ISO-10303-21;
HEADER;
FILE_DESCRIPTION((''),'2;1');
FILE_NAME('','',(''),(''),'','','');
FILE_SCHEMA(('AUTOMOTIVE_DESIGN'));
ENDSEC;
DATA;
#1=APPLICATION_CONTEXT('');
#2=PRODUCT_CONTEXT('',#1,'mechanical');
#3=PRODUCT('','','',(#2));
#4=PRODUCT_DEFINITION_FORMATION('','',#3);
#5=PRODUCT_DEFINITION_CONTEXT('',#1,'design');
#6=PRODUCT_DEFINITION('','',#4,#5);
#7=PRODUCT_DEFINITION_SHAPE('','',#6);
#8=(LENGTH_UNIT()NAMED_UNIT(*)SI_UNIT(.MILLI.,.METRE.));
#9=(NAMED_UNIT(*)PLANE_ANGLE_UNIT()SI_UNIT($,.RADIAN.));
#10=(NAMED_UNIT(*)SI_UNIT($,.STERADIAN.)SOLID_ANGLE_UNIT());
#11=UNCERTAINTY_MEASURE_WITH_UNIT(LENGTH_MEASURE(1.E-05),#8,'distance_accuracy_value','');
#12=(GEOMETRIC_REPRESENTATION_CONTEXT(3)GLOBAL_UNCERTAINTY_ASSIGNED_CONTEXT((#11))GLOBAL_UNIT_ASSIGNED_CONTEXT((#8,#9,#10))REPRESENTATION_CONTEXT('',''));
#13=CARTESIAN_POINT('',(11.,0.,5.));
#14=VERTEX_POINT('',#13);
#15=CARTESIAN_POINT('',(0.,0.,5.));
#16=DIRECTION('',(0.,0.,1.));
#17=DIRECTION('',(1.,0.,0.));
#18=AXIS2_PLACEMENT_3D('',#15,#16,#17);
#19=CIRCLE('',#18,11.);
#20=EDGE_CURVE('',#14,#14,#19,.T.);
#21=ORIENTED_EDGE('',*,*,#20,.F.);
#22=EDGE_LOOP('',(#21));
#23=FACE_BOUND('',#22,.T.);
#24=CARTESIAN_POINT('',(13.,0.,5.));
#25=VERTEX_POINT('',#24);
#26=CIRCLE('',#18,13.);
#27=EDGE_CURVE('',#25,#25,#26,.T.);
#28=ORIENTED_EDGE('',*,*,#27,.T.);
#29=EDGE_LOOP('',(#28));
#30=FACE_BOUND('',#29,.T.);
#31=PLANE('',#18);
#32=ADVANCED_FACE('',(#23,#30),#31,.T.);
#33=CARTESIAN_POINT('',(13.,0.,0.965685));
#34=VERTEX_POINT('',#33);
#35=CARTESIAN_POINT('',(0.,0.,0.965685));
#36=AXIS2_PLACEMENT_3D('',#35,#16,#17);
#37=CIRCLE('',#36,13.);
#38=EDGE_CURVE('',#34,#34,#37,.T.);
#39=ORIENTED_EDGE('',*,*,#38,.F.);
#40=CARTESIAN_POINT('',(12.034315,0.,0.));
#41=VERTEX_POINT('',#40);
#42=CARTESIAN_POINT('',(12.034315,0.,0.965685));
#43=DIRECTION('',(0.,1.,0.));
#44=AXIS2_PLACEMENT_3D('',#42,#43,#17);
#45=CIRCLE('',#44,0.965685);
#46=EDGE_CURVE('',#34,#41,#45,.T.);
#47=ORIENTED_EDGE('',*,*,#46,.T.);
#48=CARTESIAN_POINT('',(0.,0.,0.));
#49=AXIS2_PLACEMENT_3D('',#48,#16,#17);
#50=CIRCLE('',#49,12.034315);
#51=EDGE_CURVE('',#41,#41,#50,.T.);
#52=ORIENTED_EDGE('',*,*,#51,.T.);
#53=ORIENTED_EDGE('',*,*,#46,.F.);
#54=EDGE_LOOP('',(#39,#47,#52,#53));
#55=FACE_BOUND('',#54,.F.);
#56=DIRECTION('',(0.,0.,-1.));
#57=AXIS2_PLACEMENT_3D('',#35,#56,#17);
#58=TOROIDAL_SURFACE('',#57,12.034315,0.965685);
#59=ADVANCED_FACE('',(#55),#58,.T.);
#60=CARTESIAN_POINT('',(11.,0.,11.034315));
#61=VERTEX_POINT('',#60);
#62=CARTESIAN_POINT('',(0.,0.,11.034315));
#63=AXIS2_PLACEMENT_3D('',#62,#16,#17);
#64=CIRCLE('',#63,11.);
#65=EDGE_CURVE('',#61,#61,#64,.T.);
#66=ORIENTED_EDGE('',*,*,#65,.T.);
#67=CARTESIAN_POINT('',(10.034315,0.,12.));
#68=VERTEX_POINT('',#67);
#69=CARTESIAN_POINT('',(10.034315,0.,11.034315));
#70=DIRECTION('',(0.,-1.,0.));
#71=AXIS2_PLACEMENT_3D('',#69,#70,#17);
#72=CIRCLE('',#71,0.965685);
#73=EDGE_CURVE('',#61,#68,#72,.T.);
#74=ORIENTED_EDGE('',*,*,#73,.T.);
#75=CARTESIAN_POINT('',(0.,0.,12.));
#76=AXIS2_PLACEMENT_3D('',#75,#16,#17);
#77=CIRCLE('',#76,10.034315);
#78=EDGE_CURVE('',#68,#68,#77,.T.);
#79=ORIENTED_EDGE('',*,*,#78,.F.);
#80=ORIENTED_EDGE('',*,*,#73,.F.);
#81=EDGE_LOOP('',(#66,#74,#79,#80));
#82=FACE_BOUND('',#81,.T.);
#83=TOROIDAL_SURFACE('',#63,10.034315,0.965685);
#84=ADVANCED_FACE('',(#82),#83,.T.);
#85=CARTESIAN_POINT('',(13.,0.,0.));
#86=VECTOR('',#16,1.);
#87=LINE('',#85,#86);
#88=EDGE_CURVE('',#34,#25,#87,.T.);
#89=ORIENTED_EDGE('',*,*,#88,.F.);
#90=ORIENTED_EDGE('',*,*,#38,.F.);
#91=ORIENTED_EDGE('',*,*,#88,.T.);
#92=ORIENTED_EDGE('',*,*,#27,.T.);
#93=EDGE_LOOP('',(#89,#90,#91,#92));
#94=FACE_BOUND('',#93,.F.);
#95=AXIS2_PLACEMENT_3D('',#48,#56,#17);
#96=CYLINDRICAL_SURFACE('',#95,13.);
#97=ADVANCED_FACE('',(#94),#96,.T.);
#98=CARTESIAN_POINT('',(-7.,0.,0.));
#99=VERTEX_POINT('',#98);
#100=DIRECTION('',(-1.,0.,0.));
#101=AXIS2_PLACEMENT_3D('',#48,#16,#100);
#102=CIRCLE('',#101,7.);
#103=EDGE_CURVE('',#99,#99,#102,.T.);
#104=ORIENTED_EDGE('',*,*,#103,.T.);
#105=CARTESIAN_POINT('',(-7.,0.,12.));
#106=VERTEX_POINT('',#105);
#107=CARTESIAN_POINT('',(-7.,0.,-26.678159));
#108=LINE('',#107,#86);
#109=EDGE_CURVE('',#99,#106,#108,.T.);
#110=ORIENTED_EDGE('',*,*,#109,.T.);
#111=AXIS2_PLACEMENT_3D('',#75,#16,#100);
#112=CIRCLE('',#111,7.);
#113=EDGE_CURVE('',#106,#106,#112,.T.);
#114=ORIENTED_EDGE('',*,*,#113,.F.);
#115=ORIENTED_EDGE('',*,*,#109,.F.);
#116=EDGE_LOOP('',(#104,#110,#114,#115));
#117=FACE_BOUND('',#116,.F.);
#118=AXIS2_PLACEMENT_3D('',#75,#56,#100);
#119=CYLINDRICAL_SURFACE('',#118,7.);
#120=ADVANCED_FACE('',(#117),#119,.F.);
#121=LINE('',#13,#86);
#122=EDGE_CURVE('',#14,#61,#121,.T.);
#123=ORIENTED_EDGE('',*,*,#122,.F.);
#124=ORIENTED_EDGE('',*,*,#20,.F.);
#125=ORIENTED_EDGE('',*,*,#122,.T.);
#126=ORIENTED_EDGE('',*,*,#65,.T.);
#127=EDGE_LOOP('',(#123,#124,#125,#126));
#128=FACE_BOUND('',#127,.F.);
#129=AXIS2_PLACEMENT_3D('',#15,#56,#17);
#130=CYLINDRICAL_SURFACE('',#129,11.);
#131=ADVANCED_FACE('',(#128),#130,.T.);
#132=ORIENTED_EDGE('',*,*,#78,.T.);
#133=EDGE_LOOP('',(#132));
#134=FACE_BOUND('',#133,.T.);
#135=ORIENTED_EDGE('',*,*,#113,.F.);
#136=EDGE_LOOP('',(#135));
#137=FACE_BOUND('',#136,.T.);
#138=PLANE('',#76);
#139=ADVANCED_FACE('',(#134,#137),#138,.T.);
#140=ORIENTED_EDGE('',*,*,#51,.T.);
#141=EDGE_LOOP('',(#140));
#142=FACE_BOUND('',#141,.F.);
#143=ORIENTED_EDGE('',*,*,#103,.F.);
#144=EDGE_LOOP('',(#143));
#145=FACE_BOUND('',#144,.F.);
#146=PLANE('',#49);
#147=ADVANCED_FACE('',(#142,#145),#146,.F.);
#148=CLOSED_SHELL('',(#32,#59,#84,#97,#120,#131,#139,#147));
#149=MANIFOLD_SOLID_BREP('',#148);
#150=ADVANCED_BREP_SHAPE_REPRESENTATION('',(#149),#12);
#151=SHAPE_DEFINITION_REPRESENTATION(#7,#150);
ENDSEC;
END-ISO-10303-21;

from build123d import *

# Parameters (mm, degrees)
F0_R           = 13
F1_DEPTH       = 5
F2_R           = 11
F3_DEPTH       = 7
F5_D           = 14
F5_CBORE_D     = 14
F5_CBORE_DEPTH = 14
F6_R           = 0.965685
F7_R           = 0.965685


with BuildPart() as f1:
    # F0 (on Top) → F1 (new body)
    with BuildSketch(Plane.XY):
        Circle(F0_R)
    extrude(amount=F1_DEPTH)

    # F2 (on face) → F3 (join)
    with BuildSketch(Plane.XY.offset(5)):
        Circle(F2_R)
    extrude(amount=F3_DEPTH)

    # F5 (through all)
    with Locations(Plane.XY.offset(12)):
        with Locations((0, 0)):
            CounterBoreHole(F5_D / 2, F5_CBORE_D / 2, F5_CBORE_DEPTH)

    # F6
    f6_edges = [f1.edges().sort_by_distance(p)[0] for p in [
        (-11, 0, 12),
    ]]
    fillet(f6_edges, radius=F6_R)

    # F7
    f7_edges = [f1.edges().sort_by_distance(p)[0] for p in [
        (-13, 0, 0),
    ]]
    fillet(f7_edges, radius=F7_R)


solid = f1.part
